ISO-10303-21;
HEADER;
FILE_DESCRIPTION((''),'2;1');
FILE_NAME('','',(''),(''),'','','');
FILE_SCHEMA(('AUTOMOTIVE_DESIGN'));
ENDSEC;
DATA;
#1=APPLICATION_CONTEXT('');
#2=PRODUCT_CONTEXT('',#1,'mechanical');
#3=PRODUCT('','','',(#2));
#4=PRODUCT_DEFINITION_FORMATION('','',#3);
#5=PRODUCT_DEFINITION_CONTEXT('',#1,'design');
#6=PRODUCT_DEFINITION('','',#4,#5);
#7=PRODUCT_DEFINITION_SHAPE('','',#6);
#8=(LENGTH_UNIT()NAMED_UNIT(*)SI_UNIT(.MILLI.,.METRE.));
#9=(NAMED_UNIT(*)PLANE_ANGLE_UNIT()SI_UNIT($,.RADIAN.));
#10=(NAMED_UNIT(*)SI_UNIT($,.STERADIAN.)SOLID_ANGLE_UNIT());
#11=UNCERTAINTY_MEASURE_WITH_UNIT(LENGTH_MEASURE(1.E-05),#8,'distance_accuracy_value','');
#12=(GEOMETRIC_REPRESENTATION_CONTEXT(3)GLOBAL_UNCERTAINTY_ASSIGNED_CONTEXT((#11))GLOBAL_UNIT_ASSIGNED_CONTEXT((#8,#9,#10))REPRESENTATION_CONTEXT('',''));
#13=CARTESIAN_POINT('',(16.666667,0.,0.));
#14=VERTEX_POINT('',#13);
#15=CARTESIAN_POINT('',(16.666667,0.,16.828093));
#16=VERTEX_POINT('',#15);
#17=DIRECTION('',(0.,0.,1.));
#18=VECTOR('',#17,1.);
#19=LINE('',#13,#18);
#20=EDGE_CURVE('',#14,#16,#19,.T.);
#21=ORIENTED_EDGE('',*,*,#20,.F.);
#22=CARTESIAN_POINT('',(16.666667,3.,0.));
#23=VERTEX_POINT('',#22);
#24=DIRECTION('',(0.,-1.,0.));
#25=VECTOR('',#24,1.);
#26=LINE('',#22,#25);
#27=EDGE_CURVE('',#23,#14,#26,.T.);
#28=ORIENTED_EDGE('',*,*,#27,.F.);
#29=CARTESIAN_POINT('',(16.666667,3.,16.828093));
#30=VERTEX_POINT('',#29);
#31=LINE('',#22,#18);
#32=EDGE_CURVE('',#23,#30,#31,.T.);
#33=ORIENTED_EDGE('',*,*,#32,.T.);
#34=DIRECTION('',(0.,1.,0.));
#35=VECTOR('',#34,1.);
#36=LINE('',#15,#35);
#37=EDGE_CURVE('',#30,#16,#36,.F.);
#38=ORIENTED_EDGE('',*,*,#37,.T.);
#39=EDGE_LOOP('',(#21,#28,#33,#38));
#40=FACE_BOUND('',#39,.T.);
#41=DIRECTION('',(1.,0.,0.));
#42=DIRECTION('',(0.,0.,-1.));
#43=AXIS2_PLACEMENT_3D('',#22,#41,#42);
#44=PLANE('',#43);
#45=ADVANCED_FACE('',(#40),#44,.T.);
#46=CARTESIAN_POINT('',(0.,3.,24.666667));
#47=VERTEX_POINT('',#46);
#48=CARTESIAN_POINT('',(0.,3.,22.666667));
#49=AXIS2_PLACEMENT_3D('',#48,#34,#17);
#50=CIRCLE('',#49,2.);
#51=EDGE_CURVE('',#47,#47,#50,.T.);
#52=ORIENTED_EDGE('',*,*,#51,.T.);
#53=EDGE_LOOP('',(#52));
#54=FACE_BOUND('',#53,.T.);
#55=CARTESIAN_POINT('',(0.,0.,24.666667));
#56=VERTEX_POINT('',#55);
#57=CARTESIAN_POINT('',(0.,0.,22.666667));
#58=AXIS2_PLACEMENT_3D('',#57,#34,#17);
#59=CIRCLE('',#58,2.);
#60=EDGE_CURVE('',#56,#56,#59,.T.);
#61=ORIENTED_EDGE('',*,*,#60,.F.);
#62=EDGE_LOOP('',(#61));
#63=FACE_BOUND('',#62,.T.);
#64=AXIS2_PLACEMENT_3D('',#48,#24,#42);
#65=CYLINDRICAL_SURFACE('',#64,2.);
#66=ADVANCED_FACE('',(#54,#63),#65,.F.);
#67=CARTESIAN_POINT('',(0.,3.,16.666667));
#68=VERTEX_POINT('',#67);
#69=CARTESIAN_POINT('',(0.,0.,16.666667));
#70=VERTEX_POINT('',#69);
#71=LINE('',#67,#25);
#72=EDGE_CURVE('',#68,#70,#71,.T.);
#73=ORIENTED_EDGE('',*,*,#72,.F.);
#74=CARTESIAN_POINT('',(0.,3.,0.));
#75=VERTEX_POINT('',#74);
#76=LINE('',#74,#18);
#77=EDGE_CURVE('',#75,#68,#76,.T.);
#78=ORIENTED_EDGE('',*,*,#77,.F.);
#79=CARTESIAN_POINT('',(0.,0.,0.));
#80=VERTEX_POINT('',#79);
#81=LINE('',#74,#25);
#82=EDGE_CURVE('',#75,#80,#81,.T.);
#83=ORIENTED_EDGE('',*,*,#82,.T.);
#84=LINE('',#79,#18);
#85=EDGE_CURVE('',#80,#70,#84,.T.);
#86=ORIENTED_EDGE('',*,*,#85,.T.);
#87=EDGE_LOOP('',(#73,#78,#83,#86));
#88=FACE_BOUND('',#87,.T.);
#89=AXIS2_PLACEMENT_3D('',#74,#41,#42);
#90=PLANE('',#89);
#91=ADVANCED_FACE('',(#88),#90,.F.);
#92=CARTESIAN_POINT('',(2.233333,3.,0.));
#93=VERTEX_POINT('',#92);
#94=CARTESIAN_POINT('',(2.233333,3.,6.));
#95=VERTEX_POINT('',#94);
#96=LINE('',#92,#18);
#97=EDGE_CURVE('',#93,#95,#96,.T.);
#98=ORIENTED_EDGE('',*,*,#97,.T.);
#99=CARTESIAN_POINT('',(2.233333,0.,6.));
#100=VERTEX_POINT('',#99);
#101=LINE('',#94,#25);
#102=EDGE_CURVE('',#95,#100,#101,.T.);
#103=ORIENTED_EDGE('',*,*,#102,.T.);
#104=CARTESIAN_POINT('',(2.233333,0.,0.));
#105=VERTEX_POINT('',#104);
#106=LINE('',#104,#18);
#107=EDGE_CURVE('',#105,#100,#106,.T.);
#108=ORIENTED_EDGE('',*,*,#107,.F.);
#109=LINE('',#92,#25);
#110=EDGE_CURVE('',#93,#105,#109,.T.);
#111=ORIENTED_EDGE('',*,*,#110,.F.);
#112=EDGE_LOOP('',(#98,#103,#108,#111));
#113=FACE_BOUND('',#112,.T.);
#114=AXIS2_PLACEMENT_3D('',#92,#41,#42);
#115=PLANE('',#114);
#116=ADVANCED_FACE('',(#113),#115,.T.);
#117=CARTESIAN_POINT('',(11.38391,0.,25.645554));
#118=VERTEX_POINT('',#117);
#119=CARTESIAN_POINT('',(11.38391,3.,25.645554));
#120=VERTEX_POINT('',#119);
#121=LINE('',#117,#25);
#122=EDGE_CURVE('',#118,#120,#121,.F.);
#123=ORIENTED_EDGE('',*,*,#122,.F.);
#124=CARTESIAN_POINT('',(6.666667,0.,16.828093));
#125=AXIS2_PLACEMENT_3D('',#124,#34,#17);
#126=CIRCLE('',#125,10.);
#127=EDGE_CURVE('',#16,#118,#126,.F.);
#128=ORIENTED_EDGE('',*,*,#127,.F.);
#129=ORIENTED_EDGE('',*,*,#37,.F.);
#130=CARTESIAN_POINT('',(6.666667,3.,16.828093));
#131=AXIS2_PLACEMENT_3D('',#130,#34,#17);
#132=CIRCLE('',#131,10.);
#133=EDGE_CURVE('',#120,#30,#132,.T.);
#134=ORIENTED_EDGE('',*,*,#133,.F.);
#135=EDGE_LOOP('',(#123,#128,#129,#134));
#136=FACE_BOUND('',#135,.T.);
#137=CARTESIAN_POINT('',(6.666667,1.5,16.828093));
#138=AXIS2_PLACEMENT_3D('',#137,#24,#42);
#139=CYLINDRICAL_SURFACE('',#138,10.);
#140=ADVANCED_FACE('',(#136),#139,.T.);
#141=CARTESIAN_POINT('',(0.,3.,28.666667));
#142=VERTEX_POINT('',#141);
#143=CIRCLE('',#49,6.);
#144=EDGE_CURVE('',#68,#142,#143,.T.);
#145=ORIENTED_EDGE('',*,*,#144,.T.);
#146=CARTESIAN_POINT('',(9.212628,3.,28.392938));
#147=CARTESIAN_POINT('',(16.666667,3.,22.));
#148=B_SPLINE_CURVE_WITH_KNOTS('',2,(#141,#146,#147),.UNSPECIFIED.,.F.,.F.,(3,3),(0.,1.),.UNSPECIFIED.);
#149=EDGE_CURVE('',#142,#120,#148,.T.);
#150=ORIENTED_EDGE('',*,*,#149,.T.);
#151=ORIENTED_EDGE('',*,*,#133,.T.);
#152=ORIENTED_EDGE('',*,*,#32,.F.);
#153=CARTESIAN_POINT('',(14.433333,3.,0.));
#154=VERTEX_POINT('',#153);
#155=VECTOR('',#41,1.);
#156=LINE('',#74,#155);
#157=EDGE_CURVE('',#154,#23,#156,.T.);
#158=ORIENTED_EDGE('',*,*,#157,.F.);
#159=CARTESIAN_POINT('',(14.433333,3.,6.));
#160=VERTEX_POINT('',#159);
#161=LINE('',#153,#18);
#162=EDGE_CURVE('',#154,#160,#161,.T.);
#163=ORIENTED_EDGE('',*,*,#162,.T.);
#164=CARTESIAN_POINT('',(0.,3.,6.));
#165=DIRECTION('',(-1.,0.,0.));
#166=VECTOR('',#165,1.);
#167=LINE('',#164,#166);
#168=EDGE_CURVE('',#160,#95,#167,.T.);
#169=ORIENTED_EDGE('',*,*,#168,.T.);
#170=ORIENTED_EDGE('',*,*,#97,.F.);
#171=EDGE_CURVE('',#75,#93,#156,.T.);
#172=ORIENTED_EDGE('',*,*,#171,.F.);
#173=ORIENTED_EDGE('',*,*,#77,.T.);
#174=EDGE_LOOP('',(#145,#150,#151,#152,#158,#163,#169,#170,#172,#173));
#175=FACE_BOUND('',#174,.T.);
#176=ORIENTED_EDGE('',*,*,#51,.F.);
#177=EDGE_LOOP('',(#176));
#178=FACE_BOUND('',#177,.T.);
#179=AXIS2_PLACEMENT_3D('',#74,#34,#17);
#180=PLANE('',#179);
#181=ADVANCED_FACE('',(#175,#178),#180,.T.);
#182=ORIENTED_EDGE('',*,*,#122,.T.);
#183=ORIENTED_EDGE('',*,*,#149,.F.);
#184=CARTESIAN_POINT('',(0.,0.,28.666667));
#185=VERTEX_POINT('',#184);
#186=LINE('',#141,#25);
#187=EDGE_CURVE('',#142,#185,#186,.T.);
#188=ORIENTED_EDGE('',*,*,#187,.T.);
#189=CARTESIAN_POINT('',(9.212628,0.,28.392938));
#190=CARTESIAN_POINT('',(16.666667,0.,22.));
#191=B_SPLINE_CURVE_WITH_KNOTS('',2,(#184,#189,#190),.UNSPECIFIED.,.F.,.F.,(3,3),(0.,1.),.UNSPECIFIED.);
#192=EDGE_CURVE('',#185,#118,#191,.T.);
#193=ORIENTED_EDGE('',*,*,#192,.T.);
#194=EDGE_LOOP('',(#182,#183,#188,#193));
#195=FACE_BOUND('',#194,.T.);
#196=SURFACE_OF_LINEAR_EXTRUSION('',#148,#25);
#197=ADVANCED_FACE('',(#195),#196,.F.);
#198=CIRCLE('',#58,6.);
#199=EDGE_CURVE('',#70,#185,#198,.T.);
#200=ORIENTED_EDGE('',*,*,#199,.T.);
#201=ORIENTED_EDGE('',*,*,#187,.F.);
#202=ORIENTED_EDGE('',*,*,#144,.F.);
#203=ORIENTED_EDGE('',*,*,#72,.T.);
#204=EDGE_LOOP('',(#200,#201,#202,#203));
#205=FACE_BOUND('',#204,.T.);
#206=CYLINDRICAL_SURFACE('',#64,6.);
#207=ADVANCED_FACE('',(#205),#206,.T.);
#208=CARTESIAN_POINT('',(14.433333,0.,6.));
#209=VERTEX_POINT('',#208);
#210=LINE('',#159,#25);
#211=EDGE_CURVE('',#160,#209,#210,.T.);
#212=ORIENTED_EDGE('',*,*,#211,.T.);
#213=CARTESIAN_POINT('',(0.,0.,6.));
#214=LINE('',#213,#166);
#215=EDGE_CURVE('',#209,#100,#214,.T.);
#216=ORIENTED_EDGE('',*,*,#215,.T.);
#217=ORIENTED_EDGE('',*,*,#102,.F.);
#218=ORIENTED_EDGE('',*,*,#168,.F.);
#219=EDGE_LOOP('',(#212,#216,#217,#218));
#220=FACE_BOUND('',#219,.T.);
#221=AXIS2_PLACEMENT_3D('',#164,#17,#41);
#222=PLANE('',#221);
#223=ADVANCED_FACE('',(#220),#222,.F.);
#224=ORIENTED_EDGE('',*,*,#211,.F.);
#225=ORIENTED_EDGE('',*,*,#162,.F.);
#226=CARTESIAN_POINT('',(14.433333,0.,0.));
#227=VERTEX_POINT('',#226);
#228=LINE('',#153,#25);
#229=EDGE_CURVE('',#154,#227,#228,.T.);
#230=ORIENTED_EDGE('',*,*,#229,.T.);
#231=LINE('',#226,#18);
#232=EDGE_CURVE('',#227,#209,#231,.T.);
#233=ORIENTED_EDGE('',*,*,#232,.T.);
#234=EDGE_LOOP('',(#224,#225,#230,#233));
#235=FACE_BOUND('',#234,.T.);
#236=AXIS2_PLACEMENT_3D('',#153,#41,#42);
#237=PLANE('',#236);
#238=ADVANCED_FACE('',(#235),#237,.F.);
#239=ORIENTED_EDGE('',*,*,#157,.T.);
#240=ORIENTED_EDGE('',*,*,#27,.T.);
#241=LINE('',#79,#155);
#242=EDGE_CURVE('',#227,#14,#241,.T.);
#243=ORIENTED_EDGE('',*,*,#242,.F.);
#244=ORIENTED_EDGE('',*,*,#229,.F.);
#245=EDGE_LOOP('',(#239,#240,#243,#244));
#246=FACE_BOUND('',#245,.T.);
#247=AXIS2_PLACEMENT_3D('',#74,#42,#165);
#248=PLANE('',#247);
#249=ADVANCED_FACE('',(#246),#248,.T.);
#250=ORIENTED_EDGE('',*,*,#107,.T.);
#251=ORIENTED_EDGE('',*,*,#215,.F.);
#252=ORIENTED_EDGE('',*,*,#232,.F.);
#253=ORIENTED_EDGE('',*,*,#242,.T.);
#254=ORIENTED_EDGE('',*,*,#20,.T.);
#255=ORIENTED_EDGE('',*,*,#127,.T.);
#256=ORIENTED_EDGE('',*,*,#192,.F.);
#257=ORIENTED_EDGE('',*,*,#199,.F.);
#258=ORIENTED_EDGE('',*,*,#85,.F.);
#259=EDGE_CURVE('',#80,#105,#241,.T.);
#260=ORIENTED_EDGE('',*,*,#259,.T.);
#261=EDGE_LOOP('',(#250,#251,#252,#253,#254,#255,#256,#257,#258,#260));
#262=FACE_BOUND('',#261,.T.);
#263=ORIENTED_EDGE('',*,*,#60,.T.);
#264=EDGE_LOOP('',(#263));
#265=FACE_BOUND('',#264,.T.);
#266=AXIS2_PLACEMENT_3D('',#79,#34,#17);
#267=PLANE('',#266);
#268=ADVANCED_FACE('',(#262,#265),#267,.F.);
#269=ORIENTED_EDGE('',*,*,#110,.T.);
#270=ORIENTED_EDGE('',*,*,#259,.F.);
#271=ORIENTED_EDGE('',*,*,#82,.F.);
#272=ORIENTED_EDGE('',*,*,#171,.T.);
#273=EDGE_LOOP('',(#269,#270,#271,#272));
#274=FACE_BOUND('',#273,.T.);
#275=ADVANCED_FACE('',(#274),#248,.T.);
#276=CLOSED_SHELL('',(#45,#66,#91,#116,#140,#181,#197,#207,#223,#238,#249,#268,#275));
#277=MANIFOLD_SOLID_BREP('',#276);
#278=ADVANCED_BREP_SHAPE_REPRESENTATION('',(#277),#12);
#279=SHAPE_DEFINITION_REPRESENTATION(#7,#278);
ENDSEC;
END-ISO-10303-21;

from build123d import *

# Parameters (mm, degrees)
SKETCH_1_R      = 2
EXTRUDE_1_DEPTH = 3
FILLET_1_R      = 10


with BuildPart() as part:
    # 草图1 → 凸台-拉伸1 (new body)
    with BuildSketch(Plane(origin=(0, 0, 0), x_dir=(1, 0, 0), z_dir=(0, 1, 0))):
        with BuildLine():
            Line((2.233333333, 0), (0, 0))
            Line((0, 0), (0, -16.666666667))
            ThreePointArc((0, -16.666666667), (-6, -22.666666667), (0, -28.666666667))
            add(Edge.make_bspline(
                [(0, -28.666666667), (9.212627714, -28.392938173), (16.666666667, -22)],
                knots=[0, 0, 0, 1, 1, 1], degree=2))
            Line((16.666666667, -22), (16.666666667, 0))
            Line((16.666666667, 0), (14.433333333, 0))
            Line((14.433333333, 0), (14.433333333, -6))
            Line((14.433333333, -6), (2.233333333, -6))
            Line((2.233333333, -6), (2.233333333, 0))
        make_face()
        with Locations(Location((0, -22.666666667, 0), (0, 0, 270))):
            Circle(SKETCH_1_R, mode=Mode.SUBTRACT)
    extrude(amount=EXTRUDE_1_DEPTH)

    # 圆角1
    fillet_1_edges = [part.edges().sort_by_distance(p)[0] for p in [
        (16.666666667, 1.5, 22),
    ]]
    fillet(fillet_1_edges, radius=FILLET_1_R)


solid = part.part
